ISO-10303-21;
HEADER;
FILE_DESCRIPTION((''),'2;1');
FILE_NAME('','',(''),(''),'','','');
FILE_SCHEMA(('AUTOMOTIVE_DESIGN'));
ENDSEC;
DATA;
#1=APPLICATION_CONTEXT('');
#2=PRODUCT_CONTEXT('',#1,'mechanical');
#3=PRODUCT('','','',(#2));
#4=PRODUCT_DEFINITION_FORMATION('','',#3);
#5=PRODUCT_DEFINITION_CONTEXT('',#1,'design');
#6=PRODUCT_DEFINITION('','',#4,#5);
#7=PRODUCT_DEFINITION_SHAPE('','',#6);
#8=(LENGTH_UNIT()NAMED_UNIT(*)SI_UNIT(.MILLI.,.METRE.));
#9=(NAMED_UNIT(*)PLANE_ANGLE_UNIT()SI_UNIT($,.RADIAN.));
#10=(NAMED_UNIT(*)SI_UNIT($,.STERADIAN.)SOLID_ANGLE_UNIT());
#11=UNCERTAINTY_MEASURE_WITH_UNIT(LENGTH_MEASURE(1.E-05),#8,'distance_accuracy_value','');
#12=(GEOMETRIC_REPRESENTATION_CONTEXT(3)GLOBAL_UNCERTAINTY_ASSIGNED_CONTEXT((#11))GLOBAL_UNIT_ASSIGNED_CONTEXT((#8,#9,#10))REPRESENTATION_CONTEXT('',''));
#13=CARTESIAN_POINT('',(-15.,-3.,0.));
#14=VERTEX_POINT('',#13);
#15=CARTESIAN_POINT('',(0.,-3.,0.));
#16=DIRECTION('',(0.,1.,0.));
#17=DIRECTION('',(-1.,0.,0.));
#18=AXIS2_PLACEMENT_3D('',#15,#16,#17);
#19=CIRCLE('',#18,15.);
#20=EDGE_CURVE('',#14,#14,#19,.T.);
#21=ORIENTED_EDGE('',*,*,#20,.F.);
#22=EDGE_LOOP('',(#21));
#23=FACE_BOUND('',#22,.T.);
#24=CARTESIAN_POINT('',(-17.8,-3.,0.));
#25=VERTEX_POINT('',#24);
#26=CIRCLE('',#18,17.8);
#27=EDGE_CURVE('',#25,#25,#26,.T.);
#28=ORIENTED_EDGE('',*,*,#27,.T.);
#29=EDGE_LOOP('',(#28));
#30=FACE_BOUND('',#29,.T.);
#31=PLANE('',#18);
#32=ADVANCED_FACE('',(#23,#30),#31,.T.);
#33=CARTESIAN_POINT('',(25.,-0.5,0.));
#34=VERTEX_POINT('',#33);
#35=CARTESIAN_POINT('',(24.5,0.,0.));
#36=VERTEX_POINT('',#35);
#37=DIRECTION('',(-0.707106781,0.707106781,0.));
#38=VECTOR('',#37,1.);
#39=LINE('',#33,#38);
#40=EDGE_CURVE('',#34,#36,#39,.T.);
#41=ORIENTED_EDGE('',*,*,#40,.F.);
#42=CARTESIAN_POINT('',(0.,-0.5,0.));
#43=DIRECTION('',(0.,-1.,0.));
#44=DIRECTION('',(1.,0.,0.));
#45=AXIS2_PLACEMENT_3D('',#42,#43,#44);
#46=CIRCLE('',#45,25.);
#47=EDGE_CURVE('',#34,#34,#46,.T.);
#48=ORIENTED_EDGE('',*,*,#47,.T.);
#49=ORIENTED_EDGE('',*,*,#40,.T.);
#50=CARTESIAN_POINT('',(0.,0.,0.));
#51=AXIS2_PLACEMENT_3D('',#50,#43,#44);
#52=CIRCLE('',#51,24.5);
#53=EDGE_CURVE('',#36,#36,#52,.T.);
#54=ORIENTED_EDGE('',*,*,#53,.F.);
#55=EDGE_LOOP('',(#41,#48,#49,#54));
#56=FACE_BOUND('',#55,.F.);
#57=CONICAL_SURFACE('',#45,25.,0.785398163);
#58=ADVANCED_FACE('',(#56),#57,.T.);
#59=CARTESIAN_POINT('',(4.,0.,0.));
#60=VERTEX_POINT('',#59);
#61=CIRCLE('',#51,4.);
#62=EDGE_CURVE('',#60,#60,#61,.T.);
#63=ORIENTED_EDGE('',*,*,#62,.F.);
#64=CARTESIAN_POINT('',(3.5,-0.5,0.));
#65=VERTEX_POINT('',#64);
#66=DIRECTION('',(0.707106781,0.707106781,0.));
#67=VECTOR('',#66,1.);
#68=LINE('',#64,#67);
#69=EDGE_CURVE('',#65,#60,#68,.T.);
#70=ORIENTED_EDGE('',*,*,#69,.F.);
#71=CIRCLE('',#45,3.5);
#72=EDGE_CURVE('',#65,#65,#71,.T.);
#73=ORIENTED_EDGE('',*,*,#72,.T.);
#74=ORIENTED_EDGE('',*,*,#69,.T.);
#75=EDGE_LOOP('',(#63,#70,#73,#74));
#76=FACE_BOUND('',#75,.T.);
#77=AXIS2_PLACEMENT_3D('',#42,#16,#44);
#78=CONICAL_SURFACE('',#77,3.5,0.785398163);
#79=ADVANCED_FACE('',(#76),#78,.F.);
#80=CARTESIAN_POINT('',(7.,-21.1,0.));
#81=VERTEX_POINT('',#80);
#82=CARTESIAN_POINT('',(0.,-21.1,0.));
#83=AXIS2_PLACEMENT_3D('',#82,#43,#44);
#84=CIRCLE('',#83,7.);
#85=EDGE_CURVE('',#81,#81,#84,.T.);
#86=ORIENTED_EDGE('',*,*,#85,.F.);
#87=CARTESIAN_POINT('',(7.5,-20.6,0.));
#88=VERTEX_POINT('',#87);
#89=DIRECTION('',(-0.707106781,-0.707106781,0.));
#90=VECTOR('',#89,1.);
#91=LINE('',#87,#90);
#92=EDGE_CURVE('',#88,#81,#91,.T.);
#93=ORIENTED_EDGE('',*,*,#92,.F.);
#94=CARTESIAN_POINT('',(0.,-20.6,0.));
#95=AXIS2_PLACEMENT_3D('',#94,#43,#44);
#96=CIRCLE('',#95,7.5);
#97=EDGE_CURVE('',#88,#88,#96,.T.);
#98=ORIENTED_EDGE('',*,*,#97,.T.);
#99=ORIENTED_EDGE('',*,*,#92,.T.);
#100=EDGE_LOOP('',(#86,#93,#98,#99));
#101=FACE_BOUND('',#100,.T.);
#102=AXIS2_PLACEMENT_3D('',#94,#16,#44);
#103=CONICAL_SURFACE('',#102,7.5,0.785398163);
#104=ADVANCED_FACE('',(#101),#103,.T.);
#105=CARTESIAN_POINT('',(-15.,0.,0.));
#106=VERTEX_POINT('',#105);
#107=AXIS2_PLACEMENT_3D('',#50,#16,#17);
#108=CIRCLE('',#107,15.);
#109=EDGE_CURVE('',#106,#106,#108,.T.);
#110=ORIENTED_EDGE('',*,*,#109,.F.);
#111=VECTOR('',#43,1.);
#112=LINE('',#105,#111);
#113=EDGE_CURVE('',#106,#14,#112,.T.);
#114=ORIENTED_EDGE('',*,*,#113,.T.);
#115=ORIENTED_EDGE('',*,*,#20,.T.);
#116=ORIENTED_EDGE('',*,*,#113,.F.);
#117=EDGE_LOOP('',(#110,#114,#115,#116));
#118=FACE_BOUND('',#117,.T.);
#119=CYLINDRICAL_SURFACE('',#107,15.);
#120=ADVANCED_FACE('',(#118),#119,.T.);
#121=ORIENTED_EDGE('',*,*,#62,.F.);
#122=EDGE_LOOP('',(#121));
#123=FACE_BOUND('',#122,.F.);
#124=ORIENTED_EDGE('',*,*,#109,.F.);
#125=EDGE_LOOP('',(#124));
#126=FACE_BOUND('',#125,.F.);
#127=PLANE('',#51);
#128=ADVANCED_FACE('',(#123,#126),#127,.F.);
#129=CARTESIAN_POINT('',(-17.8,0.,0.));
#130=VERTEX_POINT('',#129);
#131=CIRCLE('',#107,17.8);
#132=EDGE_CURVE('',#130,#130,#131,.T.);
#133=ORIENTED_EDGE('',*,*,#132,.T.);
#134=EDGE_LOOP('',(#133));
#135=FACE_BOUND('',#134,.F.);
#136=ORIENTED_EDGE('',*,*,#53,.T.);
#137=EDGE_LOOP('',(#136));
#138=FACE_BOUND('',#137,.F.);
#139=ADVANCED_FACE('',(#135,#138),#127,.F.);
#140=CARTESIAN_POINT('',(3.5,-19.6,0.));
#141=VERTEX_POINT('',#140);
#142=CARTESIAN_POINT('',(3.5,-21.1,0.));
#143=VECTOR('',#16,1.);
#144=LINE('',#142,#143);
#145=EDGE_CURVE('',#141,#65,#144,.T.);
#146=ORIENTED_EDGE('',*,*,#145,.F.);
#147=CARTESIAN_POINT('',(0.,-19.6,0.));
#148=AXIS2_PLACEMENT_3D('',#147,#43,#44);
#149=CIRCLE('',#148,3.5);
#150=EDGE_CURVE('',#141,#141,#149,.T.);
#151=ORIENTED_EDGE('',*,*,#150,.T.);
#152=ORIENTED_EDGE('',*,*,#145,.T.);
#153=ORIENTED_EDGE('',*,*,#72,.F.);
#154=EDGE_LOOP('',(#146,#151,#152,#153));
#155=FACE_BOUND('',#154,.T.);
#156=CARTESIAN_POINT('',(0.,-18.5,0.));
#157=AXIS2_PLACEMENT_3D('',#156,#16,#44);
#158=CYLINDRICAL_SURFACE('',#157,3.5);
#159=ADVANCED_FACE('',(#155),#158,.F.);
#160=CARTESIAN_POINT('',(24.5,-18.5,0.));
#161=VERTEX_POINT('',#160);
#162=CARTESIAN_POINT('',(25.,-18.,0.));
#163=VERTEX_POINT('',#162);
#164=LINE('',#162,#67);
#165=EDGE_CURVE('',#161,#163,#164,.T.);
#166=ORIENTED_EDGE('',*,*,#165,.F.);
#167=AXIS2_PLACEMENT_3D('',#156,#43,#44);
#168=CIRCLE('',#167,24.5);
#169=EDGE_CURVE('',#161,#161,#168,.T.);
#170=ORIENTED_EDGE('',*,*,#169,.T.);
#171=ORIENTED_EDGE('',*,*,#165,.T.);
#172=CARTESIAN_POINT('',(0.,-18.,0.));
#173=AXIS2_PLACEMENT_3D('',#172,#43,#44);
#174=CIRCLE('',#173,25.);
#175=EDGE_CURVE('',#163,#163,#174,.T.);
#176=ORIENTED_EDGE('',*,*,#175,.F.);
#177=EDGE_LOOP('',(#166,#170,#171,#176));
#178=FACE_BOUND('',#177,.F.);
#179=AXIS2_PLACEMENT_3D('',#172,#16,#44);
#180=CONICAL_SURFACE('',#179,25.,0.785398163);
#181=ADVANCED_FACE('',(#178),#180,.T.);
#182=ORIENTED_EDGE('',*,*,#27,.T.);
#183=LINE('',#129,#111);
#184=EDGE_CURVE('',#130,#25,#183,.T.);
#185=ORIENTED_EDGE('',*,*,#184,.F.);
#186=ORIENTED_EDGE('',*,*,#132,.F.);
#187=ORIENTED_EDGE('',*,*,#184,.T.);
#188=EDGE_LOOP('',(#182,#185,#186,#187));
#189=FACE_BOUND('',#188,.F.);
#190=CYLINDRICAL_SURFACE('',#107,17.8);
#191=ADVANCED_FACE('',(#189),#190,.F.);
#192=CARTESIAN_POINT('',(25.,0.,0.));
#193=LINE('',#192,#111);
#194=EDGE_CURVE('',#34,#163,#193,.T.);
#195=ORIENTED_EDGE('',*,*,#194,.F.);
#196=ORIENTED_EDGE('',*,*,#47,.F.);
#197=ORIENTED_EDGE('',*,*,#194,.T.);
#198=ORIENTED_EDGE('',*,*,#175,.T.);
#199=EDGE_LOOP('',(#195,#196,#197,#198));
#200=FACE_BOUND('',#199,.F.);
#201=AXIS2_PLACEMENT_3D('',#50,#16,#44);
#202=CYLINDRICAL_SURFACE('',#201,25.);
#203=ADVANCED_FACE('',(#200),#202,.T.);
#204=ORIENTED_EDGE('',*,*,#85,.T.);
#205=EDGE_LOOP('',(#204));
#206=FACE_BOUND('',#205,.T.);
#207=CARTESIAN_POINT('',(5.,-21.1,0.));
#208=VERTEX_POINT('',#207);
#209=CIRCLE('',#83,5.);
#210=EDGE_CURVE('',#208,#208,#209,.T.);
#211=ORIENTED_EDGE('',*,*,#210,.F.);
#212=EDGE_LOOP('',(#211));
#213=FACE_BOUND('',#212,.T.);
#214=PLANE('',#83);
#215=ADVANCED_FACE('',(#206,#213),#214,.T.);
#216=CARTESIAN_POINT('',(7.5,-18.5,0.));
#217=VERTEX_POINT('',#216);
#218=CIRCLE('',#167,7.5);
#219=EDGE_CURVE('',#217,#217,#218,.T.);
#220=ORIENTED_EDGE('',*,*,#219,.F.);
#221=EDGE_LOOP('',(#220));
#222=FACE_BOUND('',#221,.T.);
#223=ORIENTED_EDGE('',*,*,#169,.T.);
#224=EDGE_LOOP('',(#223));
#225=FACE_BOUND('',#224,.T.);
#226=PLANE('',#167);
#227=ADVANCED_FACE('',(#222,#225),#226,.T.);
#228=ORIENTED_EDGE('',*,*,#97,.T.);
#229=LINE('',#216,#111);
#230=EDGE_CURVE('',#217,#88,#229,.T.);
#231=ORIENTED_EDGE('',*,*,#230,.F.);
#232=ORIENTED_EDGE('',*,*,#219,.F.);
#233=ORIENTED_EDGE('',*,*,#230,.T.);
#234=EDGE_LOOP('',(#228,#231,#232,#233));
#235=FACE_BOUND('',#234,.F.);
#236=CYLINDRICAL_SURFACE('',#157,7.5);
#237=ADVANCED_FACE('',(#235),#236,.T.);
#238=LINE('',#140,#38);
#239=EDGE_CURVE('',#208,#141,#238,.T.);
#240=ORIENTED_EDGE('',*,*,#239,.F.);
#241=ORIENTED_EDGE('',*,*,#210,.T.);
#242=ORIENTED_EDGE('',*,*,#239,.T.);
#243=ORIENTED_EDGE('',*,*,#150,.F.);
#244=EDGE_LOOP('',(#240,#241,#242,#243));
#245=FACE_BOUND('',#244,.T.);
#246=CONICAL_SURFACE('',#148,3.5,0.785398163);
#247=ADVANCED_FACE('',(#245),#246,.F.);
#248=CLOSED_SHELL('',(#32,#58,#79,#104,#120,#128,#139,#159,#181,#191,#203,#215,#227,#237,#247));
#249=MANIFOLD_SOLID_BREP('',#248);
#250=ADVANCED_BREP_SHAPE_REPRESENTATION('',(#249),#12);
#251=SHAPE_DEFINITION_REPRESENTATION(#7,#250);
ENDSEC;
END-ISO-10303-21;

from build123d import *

# Parameters (mm, degrees)
F0_R     = 25
F0_R_2   = 3.5
F1_DEPTH = 18.5
F2_R     = 7.5
F2_R_2   = 3.5
F3_DEPTH = 2.6
F4_R     = 17.8
F4_R_2   = 15
F5_DEPTH = 3
F6_SIZE2 = 0.5
F6_SIZE  = 0.5
F7_SIZE  = 1.5


with BuildPart() as f1:
    # F0 (on Front) → F1 (new body)
    with BuildSketch(Plane.XZ):
        Circle(F0_R)
        Circle(F0_R_2, mode=Mode.SUBTRACT)
    extrude(amount=F1_DEPTH)

    # F2 (on face) → F3 (join)
    with BuildSketch(Plane.XZ.offset(18.5)):
        Circle(F2_R)
        Circle(F2_R_2, mode=Mode.SUBTRACT)
    extrude(amount=F3_DEPTH)

    # F4 (on face) → F5 (cut)
    with BuildSketch(Plane(origin=(0, 0, 0), x_dir=(-1, 0, 0), z_dir=(0, 1, 0))):
        Circle(F4_R)
        Circle(F4_R_2, mode=Mode.SUBTRACT)
    extrude(amount=-F5_DEPTH, mode=Mode.SUBTRACT)

    # F6
    f6_edges = [f1.edges().sort_by_distance(p)[0] for p in [
        (-25, 0, 0),
        (-25, -18.5, 0),
        (-3.5, 0, 0),
        (-7.5, -21.1, 0),
    ]]
    chamfer(f6_edges, length=F6_SIZE, length2=F6_SIZE2)

    # F7
    f7_edges = [f1.edges().sort_by_distance(p)[0] for p in [
        (-3.5, -21.1, 0),
    ]]
    chamfer(f7_edges, length=F7_SIZE)


solid = f1.part
